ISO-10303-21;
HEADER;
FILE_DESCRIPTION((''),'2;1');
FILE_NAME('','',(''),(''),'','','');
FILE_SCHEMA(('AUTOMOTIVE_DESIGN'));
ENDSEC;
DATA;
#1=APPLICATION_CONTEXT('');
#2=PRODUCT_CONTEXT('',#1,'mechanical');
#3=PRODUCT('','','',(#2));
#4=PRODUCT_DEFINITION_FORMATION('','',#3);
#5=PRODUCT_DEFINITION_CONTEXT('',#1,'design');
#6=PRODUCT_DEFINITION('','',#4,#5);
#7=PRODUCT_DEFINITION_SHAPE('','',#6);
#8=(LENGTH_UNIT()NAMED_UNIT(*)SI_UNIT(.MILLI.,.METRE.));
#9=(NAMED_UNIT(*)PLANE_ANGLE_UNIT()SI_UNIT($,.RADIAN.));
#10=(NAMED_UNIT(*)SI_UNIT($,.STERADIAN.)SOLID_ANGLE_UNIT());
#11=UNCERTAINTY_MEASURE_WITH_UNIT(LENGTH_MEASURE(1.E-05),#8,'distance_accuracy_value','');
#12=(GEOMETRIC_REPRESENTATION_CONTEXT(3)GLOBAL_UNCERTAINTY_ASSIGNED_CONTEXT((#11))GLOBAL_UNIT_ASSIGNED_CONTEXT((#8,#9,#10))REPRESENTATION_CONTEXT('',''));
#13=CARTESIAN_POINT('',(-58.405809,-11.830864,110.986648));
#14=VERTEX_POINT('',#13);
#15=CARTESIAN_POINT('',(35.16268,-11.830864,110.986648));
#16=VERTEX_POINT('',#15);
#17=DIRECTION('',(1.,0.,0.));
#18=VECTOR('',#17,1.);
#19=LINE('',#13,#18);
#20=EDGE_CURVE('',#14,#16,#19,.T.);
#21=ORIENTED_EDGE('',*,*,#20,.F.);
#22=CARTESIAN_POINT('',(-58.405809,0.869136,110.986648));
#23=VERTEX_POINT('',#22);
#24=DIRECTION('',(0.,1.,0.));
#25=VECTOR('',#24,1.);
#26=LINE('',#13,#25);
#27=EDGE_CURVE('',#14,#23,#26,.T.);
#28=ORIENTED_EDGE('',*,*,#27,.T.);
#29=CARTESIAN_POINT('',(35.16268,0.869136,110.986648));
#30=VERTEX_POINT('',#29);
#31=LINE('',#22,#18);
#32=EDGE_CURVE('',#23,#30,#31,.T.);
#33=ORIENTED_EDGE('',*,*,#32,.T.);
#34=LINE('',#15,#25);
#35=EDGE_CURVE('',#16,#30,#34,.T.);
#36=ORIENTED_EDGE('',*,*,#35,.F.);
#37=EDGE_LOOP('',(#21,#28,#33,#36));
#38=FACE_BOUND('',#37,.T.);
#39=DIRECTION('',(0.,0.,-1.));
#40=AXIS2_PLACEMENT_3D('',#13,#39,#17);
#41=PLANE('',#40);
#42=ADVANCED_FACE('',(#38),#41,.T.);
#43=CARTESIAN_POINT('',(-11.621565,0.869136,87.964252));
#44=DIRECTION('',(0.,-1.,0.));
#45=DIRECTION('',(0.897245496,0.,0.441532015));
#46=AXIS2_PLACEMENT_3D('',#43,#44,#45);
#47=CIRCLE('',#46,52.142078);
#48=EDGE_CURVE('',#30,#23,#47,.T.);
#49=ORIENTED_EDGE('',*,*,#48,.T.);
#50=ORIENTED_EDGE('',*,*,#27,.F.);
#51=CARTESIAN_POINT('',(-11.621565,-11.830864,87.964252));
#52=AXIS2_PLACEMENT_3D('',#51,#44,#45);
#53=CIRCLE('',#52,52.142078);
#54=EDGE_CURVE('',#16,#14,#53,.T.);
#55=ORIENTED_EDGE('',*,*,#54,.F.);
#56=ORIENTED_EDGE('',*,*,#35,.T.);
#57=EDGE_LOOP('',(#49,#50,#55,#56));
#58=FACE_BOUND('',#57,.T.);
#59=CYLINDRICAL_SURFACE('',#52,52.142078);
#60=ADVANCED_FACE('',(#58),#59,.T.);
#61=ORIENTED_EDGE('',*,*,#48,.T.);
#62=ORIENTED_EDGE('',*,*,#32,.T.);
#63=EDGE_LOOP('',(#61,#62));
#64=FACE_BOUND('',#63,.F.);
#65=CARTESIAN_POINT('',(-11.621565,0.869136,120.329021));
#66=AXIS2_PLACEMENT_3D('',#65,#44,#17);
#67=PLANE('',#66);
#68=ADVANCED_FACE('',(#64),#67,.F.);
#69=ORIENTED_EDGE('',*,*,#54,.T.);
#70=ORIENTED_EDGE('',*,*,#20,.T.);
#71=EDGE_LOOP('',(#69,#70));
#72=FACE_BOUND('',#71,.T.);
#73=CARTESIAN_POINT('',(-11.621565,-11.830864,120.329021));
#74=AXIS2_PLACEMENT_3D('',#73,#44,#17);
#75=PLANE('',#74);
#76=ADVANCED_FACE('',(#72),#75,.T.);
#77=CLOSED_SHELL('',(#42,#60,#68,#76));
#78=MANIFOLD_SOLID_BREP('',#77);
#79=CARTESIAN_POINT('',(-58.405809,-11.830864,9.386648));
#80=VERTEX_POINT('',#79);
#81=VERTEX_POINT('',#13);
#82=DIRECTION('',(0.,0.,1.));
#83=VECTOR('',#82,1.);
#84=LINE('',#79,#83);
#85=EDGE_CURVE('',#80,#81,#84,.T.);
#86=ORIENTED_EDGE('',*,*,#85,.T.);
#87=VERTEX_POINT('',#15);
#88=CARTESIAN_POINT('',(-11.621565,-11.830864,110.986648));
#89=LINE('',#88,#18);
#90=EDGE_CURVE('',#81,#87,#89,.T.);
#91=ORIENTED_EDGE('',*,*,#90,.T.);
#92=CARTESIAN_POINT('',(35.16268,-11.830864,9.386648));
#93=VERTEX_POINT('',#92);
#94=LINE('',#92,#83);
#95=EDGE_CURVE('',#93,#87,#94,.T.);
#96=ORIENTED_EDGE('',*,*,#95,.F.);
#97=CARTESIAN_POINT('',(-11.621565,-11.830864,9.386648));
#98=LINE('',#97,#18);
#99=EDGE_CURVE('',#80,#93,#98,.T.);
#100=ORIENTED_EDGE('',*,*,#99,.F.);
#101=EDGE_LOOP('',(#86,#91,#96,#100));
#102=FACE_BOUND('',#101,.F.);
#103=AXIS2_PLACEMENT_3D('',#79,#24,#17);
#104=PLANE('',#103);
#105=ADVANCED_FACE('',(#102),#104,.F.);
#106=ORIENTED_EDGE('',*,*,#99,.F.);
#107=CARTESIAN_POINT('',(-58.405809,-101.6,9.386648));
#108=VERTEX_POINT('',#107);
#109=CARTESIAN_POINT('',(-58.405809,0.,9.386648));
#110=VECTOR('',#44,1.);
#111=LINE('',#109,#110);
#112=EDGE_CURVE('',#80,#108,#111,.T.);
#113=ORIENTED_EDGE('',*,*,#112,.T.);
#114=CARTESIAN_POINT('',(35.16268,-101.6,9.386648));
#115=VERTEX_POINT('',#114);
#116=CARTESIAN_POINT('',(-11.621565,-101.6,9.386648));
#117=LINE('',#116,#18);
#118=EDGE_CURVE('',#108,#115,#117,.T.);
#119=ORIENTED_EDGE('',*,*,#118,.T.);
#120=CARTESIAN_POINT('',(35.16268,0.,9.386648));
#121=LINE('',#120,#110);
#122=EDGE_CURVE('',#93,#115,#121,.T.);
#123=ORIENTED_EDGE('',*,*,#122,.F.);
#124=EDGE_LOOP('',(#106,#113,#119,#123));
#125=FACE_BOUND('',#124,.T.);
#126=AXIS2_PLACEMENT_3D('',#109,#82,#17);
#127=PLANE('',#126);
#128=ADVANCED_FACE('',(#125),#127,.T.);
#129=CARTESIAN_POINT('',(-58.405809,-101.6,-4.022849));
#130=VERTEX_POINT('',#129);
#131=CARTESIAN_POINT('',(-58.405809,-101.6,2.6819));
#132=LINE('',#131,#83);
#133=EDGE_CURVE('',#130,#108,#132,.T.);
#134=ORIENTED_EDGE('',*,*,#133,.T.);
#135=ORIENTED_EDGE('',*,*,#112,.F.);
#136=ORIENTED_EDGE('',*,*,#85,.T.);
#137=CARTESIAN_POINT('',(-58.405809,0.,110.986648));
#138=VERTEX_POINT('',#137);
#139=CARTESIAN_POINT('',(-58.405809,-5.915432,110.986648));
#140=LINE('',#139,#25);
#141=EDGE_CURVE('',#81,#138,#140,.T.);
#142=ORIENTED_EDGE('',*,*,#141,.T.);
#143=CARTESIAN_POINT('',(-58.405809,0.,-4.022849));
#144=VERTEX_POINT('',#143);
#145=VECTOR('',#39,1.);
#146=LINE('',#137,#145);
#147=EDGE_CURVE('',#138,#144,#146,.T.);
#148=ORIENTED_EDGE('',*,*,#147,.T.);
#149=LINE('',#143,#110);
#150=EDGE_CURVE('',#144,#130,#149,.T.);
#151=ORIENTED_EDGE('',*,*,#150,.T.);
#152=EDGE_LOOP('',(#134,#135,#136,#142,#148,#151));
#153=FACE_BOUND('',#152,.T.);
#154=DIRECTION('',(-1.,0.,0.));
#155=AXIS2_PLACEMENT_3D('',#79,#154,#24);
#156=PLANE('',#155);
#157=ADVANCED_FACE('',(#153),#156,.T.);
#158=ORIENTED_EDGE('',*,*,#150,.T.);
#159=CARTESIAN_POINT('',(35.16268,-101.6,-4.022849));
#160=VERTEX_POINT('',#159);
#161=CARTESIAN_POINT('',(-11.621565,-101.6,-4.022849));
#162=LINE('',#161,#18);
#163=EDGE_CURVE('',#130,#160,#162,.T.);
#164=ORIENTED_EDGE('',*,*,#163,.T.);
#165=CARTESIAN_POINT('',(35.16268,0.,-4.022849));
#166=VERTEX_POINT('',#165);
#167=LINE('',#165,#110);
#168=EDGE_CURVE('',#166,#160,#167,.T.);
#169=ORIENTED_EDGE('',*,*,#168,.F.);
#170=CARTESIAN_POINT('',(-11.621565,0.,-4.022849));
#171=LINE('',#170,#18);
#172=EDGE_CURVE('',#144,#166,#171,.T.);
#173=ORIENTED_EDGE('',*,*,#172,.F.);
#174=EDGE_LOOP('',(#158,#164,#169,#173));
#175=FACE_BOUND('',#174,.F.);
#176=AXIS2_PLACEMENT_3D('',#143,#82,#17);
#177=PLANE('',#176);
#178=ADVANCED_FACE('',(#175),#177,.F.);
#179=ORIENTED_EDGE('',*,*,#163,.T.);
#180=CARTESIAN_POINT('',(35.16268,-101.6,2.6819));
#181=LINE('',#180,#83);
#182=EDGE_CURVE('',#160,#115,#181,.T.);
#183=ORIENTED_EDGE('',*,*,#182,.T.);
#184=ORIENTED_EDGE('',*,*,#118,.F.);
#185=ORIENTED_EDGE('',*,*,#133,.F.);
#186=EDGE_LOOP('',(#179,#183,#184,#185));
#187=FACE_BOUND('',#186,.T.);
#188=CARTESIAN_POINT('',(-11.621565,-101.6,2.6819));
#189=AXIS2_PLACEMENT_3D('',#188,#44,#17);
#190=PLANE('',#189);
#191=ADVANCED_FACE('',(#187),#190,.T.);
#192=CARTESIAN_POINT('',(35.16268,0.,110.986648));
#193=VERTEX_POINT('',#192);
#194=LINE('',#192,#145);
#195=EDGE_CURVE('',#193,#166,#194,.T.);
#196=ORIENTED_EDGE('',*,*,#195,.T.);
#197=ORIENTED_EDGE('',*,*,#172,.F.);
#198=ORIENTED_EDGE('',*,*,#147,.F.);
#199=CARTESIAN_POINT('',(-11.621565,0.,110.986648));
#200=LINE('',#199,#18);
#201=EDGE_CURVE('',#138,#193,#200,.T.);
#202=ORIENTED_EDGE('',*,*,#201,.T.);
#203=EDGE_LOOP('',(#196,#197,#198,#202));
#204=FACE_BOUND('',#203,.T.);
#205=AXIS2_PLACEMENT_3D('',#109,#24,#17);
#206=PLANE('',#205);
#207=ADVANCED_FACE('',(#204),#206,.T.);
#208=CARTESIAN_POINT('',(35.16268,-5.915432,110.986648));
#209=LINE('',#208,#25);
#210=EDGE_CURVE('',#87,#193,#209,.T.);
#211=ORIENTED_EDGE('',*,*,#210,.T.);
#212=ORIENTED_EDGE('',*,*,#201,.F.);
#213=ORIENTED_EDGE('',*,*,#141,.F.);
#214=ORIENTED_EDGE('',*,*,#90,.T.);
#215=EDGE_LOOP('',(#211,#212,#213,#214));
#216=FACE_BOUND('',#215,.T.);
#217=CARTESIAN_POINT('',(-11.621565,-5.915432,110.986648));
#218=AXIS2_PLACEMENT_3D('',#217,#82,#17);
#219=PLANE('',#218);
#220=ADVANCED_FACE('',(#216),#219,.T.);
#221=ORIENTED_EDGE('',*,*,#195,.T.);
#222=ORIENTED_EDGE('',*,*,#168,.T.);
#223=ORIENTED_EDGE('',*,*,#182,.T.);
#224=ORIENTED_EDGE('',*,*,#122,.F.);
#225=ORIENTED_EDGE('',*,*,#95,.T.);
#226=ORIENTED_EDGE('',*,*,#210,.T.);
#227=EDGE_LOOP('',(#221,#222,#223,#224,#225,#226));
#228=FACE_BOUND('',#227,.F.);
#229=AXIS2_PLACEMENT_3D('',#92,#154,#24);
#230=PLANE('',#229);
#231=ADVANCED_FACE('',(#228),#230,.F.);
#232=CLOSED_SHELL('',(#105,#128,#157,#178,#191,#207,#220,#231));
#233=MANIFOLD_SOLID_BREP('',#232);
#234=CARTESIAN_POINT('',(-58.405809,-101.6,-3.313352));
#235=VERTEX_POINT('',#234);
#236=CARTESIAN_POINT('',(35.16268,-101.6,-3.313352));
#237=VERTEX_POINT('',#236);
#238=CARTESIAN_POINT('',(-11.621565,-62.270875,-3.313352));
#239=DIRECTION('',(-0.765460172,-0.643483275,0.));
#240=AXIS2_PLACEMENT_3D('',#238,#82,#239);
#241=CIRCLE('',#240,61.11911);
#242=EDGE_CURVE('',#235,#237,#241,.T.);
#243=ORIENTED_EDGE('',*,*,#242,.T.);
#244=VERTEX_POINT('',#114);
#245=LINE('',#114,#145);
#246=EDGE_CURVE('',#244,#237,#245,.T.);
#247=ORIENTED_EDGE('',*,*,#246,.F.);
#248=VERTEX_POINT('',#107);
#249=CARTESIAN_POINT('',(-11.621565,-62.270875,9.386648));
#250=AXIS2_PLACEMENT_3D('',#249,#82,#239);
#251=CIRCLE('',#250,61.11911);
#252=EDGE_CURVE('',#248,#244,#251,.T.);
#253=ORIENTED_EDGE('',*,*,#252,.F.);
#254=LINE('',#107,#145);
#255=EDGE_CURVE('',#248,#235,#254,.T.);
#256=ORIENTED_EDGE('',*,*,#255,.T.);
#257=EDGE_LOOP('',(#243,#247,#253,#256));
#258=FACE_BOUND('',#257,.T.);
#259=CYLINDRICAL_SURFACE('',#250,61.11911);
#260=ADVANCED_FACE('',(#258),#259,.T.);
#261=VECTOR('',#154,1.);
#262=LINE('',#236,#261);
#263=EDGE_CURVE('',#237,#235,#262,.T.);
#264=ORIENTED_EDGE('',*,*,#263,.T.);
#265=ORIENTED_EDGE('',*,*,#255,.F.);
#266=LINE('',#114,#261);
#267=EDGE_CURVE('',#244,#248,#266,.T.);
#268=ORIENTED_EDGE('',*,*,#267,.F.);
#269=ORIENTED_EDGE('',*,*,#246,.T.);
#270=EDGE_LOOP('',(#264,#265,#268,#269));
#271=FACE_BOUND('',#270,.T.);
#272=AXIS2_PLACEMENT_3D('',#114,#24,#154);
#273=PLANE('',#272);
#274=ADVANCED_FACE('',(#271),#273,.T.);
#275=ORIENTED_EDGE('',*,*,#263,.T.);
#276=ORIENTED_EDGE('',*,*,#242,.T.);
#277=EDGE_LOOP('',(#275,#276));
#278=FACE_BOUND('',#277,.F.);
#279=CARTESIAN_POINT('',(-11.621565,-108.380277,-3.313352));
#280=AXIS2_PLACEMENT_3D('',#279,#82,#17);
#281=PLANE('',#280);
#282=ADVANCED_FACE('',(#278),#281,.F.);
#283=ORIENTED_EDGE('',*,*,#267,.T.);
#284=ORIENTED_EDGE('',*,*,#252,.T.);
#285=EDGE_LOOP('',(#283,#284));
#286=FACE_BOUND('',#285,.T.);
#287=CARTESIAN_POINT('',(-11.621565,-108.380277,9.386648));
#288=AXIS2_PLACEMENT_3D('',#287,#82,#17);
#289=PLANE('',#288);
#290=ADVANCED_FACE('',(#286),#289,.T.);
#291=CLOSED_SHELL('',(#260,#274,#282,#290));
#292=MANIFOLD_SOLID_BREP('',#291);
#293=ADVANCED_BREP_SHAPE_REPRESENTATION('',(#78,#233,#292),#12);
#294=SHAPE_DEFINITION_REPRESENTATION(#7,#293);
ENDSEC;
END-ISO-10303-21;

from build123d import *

# Parameters (mm, degrees)
F0_W     = 93.5684889555
F0_H     = 13.409497682
F1_DEPTH = 101.6
F2_W     = 93.5684889555
F2_H     = 11.8308644742
F3_DEPTH = 101.6
F5_DEPTH = 12.7
F7_DEPTH = 12.7


with BuildPart() as f1:
    # F0 (on Front) → F1 (new body)
    with BuildSketch(Plane.XZ):
        with Locations((-11.6215646267, 2.681899583)):
            Rectangle(F0_W, F0_H)
    extrude(amount=F1_DEPTH)

    # F2 (on face) → F3 (join)
    with BuildSketch(Plane.XY.offset(9.386648424)):
        with Locations((-11.6215646267, -5.9154322371)):
            Rectangle(F2_W, F2_H)
    extrude(amount=F3_DEPTH)


with BuildPart() as f5:
    # F4 (on face) → F5 (new body)
    with BuildSketch(Plane.XZ.offset(11.8308644742)):
        with BuildLine():
            Line((-58.4058091044, 110.986648424), (35.1626798511, 110.986648424))
            ThreePointArc((35.1626798511, 110.986648424), (-11.6215646267, 140.1063295493), (-58.4058091044, 110.986648424))
        make_face()
    extrude(amount=-F5_DEPTH)


with BuildPart() as f7:
    # F6 (on face) → F7 (new body)
    with BuildSketch(Plane.XY.offset(9.386648424)):
        with BuildLine():
            Line((35.1626798511, -101.6), (-58.4058091044, -101.6))
            ThreePointArc((-58.4058091044, -101.6), (-11.6215646267, -123.3899849422), (35.1626798511, -101.6))
        make_face()
    extrude(amount=-F7_DEPTH)


solid = Compound([f1.part, f5.part, f7.part])
